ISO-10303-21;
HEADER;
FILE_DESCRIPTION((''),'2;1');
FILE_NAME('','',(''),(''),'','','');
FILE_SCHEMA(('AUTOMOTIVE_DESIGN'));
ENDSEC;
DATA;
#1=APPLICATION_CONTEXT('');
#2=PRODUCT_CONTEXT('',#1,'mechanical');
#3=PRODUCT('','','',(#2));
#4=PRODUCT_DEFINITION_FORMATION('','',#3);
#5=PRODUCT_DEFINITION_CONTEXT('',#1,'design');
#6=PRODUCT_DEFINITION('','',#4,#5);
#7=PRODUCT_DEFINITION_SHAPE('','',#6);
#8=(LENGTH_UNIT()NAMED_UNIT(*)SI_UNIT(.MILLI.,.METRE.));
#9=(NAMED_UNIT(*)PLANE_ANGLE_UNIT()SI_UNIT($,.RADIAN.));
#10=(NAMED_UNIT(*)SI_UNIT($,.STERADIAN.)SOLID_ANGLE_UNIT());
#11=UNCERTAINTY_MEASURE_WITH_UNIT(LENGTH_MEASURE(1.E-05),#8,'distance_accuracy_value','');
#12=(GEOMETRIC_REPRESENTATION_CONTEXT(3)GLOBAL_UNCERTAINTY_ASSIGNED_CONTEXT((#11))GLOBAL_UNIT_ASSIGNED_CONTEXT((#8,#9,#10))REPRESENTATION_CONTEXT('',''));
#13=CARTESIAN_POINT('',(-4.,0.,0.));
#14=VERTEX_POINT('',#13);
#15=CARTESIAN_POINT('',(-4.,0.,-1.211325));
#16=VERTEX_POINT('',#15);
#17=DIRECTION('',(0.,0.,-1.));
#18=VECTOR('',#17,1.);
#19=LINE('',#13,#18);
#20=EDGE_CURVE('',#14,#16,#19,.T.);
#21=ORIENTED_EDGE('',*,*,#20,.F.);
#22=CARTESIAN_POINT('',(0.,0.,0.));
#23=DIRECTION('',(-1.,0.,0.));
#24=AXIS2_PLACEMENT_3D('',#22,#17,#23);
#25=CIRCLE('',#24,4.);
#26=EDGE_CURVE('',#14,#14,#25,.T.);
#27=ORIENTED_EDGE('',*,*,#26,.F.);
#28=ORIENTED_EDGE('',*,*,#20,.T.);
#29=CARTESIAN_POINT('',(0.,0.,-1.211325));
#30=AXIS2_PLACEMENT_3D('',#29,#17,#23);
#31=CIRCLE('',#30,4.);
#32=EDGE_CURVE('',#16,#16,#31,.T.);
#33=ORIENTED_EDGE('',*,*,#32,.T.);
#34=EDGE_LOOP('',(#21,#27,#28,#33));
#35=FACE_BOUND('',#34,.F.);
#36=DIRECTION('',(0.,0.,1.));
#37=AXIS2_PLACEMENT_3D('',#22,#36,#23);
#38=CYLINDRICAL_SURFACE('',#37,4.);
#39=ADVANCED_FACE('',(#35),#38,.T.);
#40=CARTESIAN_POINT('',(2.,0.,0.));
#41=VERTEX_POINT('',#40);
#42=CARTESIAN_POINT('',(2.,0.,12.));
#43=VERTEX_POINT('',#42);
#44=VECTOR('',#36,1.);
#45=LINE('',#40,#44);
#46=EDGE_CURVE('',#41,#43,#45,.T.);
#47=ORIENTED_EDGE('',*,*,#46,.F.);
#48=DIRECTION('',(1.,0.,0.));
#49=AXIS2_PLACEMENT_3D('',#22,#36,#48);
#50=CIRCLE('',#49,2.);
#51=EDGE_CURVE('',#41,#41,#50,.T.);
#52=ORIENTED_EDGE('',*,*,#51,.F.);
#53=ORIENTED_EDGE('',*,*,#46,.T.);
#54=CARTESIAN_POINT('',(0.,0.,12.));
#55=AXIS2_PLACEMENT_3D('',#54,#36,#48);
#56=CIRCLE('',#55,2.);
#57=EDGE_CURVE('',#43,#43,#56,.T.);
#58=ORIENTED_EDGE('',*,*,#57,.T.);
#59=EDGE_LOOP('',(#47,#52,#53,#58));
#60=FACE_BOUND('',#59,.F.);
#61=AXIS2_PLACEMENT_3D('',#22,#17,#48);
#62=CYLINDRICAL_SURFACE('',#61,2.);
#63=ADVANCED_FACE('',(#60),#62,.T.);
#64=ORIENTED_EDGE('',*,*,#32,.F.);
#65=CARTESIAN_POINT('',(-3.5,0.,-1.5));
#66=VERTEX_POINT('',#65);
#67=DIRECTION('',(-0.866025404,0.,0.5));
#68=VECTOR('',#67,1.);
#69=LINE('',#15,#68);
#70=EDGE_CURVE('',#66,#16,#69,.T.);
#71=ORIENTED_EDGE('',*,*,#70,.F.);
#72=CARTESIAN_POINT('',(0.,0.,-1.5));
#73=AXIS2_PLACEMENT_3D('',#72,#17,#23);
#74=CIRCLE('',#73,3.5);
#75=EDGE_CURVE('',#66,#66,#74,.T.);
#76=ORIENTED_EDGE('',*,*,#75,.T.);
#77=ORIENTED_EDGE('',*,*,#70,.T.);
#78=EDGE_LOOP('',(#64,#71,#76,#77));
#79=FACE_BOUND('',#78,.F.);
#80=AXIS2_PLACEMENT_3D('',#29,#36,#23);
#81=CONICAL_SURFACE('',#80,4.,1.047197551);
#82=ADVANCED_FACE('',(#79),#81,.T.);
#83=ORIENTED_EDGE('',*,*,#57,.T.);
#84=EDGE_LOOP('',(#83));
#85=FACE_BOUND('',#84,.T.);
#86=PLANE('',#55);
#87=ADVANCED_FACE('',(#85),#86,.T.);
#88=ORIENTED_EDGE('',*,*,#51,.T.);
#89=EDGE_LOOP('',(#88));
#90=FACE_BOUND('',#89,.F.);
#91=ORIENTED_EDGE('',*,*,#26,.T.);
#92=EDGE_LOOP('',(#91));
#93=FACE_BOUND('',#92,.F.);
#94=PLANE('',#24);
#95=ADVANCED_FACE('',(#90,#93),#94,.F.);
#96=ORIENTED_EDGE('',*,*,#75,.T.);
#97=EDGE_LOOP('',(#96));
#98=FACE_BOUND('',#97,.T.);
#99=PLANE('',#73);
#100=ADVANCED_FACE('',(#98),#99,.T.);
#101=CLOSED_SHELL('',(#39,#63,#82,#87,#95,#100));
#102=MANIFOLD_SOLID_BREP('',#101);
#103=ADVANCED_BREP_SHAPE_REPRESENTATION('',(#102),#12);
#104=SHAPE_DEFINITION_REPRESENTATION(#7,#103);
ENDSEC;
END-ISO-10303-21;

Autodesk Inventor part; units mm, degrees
ref_plane "YZ Plane" through (0, 0, 0) normal (1, 0, 0) x (0, 1, 0)
ref_plane "XZ Plane" through (0, 0, 0) normal (0, 1, 0) x (-1, 0, 0)
ref_plane "XY Plane" through (0, 0, 0) normal (0, 0, 1) x (1, 0, 0)
sketch "スケッチ1" plane through (0, 0, 0) normal (0, 0, 1) x (1, 0, 0)
  circle A0 centre (0, 0) radius 2
  dimension "d0" = 4
extrude "押し出し1" add sketch "スケッチ1" along normal blind 12
sketch "スケッチ2" plane through (0, 0, 0) normal (0, 0, -1) x (-1, 0, 0)
  circle A0 centre (0, 0) radius 4
  dimension "d3" = 8
extrude "押し出し2" add sketch "スケッチ2" along normal blind 1.5
thread "ねじ1" size "M4x0.7" class "6g" standard "ANSI Metric M Profile" full length
chamfer "面取り1" distance 0.5 angle 30 1 edges at (4, 0, -1.5) measured on face at (-0.7574, 1.0973, -1.5)
properties part number "ネジローヘッドm4,12" material "鋼、高強度、低合金"
